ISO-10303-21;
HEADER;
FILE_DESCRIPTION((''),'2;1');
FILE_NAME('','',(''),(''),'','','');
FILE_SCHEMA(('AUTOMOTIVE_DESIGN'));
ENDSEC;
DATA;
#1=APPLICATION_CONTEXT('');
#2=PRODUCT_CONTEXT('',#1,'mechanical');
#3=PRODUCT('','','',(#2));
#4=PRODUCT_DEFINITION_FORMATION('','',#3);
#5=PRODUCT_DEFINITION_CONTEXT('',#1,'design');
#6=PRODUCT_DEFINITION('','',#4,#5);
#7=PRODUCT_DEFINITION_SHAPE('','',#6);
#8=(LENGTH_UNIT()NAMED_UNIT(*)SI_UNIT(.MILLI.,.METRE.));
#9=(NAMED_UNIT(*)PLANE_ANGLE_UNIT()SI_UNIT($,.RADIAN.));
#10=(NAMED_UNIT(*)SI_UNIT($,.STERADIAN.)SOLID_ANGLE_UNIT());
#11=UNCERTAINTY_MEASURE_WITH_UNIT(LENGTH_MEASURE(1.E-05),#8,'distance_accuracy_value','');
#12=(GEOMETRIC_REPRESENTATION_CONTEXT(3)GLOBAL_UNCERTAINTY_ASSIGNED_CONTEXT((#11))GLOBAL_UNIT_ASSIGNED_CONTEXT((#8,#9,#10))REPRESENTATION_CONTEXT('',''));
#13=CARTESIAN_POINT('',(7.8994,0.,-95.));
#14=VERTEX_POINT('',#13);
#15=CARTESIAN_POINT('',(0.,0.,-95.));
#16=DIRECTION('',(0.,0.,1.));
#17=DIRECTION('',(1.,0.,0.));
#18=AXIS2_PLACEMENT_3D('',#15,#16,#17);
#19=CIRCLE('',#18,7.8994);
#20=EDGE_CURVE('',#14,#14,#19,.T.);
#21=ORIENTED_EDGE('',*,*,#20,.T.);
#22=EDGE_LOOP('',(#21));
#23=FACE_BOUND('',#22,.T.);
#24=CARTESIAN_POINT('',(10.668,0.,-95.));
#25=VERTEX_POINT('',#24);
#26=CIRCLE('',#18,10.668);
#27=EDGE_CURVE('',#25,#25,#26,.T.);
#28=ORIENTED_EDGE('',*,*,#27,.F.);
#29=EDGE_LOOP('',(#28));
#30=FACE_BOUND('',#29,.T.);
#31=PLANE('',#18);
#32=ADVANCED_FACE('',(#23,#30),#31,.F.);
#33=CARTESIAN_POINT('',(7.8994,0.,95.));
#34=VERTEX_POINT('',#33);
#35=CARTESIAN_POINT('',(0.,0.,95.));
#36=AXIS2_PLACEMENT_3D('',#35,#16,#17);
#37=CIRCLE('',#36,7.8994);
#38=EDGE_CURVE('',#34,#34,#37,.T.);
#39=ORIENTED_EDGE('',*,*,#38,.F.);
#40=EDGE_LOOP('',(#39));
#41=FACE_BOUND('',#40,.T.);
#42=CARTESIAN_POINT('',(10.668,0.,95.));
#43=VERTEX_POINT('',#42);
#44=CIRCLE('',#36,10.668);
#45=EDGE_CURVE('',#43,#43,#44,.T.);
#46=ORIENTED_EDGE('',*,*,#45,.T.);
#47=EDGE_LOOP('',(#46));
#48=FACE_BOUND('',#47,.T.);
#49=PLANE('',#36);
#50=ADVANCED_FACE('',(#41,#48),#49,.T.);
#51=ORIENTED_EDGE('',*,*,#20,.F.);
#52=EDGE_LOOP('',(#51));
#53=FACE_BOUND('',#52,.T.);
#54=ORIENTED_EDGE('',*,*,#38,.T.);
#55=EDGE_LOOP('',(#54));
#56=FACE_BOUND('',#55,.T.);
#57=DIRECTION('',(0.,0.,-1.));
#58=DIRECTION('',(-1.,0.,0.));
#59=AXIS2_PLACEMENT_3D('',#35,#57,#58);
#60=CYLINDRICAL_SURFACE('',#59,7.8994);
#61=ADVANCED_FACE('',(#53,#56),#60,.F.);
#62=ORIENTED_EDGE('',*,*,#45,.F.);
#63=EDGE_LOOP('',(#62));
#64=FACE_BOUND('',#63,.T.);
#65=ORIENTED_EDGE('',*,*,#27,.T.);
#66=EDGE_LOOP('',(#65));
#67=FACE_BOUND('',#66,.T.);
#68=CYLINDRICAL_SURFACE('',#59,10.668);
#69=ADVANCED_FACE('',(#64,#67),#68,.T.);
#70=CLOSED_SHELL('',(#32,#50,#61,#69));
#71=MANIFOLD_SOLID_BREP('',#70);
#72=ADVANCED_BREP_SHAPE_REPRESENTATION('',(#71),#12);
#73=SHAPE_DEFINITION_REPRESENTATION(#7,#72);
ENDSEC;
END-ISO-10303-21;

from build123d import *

# Parameters (mm, degrees)
SKETCH1_R           = 10.668
SKETCH1_R_2         = 7.8994
EXTRUDE_THIN1_DEPTH = 95


with BuildPart() as part:
    # Sketch1 → Extrude-Thin1 (new body, symmetric)
    with BuildSketch(Plane.XY):
        Circle(SKETCH1_R)
        Circle(SKETCH1_R_2, mode=Mode.SUBTRACT)
    extrude(amount=EXTRUDE_THIN1_DEPTH, both=True)


solid = part.part
